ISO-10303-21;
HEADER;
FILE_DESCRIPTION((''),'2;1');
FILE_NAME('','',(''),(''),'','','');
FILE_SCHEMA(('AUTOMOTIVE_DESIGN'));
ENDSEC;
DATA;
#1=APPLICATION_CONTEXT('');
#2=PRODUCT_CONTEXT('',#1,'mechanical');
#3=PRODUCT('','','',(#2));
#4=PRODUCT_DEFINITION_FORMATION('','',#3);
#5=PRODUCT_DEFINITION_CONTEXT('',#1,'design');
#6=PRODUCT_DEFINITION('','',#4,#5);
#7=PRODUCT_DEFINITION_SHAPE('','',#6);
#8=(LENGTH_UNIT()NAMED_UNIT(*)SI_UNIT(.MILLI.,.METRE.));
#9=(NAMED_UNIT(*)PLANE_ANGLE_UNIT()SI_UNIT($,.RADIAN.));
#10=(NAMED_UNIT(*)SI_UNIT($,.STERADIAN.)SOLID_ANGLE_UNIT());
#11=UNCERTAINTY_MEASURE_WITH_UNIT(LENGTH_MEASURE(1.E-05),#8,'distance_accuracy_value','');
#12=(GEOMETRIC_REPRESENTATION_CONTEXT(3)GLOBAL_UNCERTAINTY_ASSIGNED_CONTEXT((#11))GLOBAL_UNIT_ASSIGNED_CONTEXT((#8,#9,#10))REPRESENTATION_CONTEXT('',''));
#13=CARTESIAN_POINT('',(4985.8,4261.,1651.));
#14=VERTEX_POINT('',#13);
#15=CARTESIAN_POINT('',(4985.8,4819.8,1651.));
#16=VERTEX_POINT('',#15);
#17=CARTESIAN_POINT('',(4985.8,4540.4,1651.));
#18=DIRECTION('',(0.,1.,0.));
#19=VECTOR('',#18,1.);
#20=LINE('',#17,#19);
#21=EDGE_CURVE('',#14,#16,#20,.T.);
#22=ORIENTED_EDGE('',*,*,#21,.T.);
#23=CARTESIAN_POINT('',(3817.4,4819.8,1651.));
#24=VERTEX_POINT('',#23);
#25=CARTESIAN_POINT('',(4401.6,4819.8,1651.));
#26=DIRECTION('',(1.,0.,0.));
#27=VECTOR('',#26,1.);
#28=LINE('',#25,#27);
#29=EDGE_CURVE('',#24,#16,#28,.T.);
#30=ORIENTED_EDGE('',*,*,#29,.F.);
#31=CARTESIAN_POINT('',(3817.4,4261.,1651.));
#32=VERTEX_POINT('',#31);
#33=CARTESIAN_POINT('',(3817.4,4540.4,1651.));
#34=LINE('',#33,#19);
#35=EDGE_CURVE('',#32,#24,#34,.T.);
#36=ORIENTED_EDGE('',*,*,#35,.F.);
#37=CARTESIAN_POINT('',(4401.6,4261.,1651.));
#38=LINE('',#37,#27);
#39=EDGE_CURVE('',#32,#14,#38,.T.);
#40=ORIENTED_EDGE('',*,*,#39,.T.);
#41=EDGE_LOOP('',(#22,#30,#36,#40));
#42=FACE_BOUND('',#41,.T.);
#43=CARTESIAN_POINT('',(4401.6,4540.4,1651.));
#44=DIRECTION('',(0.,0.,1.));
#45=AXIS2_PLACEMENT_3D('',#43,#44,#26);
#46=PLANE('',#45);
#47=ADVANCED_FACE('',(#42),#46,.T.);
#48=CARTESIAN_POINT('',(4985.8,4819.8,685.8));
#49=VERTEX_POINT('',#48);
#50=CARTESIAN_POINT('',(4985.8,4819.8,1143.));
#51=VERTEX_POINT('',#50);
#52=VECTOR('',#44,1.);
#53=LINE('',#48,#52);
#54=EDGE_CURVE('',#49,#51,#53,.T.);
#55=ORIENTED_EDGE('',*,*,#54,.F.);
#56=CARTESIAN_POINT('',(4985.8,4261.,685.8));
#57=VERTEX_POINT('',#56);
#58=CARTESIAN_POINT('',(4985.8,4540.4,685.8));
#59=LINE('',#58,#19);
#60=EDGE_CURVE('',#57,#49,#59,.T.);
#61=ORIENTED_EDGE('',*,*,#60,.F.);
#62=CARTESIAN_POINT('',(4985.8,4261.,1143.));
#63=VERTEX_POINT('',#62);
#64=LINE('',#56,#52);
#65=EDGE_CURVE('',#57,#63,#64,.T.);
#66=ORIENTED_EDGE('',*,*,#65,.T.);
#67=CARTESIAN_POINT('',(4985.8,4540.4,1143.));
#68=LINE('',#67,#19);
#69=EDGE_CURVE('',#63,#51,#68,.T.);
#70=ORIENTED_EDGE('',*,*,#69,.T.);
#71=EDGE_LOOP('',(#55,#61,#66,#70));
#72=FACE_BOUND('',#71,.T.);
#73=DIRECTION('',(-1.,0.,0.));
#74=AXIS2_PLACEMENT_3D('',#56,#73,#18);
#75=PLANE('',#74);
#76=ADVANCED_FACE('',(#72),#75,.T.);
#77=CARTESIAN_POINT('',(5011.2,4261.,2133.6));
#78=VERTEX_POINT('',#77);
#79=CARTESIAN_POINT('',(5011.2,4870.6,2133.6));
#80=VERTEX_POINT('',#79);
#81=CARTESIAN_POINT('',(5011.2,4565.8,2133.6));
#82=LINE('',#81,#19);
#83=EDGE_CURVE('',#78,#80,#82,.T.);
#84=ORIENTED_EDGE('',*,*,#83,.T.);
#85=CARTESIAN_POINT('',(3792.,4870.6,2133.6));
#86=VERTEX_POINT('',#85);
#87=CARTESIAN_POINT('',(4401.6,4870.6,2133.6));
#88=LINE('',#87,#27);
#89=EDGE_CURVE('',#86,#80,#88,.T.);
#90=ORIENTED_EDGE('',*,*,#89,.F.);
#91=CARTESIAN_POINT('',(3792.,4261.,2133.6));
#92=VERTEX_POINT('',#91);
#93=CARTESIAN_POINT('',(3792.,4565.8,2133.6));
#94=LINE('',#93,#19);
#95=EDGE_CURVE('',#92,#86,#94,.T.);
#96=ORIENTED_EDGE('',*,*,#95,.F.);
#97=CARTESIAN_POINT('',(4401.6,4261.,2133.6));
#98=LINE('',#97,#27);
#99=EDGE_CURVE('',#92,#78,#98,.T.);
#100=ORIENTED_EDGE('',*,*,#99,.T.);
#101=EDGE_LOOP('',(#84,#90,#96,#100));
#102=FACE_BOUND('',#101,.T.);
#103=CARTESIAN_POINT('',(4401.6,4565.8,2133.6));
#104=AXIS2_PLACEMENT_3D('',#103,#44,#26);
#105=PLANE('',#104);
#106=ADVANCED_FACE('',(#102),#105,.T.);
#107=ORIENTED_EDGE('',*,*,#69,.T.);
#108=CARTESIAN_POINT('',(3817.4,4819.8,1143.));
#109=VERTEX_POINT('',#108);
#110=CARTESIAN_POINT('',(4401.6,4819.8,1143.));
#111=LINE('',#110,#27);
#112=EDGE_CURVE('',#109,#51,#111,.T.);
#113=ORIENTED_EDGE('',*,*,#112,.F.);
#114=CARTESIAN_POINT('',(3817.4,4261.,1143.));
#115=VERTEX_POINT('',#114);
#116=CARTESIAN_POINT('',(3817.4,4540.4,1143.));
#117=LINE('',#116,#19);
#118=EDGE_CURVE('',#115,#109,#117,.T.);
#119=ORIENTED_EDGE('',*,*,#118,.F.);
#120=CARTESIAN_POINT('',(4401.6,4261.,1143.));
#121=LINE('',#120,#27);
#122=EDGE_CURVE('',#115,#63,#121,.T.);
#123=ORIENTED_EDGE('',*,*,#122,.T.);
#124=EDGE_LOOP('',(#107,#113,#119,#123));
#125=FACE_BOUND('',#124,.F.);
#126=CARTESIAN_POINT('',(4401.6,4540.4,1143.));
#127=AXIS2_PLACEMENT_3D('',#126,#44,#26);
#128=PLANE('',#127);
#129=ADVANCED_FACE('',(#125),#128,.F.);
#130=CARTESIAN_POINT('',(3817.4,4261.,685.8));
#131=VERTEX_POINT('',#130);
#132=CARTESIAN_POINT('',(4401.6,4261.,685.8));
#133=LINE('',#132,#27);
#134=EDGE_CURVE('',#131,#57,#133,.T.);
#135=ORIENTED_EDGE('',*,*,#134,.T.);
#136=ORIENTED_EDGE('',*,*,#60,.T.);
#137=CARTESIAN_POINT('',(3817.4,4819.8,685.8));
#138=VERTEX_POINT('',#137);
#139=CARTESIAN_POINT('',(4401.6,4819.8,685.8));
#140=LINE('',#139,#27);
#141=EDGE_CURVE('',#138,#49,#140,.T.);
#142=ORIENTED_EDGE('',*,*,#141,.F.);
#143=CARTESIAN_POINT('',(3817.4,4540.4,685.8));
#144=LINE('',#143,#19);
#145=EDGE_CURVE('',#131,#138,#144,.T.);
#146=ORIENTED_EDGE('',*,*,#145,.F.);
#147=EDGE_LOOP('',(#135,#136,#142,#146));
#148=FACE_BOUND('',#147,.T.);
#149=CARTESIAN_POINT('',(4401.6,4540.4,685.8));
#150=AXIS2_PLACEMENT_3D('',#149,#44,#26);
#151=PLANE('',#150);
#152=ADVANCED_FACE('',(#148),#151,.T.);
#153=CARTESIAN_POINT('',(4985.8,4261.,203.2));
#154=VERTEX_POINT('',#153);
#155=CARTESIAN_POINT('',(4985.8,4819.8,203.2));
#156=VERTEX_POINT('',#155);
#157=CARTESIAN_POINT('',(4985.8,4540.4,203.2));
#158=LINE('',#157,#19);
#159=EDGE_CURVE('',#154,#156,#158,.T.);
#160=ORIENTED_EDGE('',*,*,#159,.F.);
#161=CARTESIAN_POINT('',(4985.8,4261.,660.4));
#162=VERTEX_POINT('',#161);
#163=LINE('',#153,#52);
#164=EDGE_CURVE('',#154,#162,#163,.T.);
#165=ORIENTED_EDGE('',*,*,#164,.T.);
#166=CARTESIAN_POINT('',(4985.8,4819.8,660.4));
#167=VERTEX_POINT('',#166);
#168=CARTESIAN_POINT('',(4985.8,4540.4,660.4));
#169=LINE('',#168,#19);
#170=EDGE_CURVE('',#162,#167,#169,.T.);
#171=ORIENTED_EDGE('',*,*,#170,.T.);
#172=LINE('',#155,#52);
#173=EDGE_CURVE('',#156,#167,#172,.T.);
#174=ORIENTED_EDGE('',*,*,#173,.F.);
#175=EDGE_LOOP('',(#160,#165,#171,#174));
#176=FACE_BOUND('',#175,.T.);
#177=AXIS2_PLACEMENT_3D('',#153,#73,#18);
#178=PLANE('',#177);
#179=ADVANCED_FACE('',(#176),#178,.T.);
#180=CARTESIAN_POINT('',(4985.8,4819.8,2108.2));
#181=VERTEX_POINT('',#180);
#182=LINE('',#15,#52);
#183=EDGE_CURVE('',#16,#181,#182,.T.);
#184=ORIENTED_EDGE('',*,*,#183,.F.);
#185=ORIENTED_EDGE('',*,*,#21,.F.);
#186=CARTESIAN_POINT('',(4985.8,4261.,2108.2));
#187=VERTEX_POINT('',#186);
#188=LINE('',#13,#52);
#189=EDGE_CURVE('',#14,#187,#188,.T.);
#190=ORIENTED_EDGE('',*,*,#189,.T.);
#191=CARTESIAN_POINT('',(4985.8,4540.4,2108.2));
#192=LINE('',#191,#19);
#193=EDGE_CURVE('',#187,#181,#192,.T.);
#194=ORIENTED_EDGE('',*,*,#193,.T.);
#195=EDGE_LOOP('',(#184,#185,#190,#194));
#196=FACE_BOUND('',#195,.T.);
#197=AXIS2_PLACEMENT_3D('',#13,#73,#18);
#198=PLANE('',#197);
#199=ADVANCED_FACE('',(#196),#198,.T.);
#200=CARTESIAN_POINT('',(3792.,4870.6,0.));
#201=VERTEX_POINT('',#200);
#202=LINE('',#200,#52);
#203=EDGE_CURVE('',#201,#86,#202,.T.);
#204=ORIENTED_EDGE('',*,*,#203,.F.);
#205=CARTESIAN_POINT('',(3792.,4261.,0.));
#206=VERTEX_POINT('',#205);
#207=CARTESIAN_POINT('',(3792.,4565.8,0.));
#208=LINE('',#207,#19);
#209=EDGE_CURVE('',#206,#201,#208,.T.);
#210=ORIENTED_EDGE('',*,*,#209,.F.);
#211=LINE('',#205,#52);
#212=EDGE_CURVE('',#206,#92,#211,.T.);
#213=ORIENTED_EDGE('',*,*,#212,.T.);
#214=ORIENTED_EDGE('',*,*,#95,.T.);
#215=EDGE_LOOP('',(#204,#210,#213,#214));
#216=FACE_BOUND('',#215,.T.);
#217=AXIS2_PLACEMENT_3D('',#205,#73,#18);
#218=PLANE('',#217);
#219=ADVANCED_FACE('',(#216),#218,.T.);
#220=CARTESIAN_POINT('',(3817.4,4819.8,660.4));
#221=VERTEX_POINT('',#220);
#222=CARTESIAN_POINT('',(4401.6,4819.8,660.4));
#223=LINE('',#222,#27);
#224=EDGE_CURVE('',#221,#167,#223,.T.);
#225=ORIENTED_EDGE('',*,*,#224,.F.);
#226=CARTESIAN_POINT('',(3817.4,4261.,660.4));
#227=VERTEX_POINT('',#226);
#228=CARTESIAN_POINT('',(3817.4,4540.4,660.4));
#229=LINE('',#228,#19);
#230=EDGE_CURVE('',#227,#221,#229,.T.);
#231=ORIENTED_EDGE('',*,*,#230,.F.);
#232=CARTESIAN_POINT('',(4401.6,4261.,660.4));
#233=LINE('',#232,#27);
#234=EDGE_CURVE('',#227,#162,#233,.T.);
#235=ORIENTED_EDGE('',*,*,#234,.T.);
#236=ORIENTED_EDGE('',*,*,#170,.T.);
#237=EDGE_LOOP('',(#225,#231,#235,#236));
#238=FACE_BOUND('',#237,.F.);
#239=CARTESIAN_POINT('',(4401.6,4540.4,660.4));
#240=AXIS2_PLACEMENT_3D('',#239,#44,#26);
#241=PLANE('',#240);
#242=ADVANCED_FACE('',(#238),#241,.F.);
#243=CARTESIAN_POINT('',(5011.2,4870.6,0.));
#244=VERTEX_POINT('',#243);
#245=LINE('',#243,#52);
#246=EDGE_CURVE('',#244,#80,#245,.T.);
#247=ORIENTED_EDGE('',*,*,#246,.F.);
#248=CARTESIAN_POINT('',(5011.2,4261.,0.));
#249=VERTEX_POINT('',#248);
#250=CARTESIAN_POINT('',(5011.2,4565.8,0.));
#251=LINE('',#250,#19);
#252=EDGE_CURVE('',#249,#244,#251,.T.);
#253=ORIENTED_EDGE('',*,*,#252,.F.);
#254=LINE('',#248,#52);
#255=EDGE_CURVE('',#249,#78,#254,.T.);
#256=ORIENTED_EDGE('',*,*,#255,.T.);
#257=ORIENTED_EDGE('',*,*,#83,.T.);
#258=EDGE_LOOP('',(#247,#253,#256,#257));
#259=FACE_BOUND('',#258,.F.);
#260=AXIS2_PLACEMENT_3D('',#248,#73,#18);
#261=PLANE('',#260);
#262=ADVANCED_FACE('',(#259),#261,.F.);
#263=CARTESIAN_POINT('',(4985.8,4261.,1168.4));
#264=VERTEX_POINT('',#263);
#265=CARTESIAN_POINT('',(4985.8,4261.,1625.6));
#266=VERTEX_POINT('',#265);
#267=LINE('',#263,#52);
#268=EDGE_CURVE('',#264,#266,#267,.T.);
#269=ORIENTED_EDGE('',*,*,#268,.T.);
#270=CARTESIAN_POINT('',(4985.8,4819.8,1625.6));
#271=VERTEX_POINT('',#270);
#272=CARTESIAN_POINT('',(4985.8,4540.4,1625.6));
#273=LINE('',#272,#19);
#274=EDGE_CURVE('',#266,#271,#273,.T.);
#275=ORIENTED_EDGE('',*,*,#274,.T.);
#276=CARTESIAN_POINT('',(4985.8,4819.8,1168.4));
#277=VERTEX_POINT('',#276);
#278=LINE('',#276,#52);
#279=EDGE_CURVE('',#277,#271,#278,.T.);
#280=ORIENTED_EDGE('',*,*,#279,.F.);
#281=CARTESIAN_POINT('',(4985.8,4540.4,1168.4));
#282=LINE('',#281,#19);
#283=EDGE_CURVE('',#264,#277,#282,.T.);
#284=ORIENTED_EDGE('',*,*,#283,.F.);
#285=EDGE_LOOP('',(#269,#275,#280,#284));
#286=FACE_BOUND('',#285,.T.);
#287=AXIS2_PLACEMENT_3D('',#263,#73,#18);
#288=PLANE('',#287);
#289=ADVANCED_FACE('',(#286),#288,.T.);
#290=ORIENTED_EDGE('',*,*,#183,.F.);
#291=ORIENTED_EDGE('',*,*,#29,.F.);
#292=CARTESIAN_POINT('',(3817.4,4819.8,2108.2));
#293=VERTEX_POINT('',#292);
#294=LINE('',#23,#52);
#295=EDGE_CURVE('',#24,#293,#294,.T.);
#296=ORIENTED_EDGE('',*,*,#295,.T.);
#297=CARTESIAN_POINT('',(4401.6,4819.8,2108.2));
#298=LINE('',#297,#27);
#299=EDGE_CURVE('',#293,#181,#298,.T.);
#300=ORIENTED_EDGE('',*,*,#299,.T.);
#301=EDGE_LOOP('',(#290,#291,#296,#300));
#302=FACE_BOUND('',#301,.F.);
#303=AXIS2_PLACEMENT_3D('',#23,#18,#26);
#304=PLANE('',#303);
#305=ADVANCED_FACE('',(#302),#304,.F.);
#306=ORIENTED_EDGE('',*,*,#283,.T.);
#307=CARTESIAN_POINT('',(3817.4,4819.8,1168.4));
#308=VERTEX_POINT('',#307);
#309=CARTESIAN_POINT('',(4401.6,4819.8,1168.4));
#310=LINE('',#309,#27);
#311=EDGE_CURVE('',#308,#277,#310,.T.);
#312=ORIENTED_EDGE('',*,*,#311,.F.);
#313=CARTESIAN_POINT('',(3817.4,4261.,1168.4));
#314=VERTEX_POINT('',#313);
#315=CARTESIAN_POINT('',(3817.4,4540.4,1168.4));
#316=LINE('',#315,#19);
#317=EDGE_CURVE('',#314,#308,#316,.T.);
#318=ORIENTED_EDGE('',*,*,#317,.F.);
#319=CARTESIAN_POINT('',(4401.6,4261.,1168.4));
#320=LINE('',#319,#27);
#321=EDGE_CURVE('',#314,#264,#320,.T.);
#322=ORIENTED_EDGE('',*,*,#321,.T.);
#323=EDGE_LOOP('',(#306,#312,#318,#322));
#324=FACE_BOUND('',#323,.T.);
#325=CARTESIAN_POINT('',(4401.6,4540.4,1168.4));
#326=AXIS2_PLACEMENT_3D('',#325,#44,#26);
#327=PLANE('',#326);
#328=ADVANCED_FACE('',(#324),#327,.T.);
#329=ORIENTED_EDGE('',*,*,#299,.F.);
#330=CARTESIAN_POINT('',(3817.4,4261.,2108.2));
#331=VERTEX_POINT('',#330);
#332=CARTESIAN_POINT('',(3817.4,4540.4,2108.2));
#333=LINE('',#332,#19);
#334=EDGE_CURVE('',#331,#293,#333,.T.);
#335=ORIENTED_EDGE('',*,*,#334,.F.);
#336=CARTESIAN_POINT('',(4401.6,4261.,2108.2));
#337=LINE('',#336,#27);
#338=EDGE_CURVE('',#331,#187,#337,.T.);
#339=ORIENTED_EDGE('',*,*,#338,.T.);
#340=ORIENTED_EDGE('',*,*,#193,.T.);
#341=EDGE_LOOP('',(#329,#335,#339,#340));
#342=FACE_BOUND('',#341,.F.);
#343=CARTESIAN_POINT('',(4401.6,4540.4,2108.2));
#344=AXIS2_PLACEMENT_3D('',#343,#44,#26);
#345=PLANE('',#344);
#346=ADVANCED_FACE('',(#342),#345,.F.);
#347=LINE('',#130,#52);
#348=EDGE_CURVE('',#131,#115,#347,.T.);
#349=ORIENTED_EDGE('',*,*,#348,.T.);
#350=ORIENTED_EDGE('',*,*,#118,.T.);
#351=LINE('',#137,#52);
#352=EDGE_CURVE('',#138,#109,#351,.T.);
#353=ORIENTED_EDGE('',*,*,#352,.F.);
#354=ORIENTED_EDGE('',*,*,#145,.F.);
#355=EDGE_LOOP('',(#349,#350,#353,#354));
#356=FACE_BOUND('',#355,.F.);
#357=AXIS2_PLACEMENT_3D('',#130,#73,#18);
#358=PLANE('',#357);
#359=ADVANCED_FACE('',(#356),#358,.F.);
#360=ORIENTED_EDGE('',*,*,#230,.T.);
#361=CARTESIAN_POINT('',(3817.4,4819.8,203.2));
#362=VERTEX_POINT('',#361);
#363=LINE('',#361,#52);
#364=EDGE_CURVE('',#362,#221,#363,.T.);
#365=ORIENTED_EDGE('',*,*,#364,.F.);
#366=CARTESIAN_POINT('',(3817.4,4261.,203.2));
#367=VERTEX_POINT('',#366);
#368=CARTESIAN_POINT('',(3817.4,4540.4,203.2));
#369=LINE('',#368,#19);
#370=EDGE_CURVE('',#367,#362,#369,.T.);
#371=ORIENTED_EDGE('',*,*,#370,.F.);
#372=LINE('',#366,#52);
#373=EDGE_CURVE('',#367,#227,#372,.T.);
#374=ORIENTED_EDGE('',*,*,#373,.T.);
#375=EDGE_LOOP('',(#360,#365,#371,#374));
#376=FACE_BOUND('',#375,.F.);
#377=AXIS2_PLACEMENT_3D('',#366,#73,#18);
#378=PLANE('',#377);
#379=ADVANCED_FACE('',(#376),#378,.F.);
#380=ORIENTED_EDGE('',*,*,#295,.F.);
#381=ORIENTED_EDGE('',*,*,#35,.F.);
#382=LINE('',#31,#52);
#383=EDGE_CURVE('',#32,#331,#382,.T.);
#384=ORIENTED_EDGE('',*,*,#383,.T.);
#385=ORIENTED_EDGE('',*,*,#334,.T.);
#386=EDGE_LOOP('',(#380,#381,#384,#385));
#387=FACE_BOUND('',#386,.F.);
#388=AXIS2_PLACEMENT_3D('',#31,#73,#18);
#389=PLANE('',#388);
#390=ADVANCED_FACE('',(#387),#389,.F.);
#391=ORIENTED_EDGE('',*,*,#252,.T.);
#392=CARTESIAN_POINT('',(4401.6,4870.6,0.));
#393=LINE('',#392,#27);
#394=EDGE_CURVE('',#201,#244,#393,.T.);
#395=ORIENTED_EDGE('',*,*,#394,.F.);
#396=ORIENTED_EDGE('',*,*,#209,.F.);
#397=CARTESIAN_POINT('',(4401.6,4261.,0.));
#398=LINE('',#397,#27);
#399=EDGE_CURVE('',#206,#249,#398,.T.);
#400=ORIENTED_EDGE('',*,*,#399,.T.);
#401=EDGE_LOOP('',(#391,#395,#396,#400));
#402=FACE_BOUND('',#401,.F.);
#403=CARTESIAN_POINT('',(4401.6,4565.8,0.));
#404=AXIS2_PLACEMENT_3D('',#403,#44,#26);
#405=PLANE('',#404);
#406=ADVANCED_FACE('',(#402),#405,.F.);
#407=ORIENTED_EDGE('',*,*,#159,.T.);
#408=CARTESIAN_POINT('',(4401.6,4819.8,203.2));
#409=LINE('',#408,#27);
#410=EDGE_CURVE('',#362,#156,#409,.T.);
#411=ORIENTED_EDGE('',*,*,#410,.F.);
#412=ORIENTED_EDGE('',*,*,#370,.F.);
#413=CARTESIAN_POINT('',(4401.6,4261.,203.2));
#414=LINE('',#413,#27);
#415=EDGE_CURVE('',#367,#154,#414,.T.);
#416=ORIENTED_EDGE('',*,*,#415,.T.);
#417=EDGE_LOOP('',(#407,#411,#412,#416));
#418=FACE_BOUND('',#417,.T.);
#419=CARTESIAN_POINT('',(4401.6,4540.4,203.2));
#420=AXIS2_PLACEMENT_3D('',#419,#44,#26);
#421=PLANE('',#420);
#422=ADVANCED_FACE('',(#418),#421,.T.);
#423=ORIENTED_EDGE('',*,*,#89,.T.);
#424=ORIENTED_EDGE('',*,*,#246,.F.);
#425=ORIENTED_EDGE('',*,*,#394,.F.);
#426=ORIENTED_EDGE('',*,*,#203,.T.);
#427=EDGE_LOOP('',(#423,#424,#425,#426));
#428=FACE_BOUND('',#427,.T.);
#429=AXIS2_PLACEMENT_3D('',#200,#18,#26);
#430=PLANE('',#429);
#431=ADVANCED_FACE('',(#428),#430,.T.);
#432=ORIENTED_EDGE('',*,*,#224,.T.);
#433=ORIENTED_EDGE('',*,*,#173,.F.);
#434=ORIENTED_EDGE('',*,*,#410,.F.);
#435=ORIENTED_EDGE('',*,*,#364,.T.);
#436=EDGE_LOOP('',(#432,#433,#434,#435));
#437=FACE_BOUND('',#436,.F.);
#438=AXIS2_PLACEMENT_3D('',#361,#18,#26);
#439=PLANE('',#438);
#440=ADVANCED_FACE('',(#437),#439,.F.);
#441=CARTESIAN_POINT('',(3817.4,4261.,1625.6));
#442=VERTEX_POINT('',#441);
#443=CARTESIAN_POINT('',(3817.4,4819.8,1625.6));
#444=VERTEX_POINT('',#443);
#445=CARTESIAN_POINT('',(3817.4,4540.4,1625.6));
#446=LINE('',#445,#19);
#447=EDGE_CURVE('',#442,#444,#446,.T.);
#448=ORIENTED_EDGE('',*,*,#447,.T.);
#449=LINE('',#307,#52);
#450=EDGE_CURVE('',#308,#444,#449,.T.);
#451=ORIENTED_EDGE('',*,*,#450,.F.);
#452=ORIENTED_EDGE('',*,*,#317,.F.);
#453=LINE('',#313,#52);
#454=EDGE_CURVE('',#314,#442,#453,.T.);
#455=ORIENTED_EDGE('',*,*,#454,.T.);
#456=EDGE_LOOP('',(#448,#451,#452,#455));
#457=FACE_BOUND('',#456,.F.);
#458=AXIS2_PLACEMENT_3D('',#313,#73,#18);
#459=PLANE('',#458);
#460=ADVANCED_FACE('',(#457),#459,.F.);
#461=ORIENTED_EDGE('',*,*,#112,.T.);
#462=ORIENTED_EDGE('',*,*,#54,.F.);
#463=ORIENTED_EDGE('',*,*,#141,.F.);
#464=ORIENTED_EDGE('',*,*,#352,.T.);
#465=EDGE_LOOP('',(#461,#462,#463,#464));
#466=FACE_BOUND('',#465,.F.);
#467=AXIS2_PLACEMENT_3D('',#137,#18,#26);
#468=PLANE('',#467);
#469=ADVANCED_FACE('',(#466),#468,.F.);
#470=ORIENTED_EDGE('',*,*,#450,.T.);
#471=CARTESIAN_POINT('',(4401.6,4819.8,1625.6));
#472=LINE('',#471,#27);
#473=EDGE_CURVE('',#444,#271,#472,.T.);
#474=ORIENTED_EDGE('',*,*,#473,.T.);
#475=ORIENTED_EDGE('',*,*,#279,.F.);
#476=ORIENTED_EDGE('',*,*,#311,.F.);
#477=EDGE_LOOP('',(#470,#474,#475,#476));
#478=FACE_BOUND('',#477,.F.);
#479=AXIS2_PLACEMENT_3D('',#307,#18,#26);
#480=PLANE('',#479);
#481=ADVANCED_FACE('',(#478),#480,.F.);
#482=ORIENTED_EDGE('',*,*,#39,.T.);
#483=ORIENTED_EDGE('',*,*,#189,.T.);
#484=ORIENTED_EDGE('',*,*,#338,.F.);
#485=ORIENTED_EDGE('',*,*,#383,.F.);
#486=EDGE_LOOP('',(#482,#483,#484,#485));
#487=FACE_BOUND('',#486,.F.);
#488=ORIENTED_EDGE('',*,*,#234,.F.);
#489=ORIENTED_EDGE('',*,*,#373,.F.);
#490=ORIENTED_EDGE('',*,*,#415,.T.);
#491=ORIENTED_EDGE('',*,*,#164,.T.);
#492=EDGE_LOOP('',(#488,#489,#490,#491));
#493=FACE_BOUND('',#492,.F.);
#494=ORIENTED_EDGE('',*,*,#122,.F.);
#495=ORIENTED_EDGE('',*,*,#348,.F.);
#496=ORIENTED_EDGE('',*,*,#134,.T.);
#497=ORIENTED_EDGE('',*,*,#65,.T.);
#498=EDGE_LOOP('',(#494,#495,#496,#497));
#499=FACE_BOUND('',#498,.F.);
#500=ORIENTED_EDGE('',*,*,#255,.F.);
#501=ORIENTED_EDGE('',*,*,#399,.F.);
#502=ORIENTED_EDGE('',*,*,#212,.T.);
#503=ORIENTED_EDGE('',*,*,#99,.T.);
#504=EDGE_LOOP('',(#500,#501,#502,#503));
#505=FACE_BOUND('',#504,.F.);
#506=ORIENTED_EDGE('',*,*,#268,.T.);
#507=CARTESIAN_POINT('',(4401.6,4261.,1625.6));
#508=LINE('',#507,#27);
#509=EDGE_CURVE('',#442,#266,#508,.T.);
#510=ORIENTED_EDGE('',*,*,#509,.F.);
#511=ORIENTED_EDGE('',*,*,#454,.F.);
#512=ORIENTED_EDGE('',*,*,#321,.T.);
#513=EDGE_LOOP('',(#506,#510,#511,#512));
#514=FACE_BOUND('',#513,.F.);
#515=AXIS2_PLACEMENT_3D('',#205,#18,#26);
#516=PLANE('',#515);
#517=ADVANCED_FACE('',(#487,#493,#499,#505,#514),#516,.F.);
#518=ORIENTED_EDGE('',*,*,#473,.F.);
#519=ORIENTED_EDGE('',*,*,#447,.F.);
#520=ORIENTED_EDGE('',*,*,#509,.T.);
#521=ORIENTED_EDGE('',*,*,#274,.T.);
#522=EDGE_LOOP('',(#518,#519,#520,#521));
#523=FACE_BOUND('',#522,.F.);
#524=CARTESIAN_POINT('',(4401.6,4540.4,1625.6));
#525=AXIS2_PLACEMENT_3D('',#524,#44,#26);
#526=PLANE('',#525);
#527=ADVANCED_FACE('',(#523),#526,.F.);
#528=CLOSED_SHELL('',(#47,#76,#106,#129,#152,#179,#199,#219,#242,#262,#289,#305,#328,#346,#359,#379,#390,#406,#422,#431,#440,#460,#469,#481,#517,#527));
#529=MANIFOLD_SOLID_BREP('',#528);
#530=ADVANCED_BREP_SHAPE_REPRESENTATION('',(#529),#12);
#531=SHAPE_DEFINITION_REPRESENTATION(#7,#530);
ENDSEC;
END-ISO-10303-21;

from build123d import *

# Parameters (mm, degrees)
BOX022_W     = 1168.4
BOX022_H     = 558.8
BOX022_DEPTH = 457.2
BOX021_W     = 1168.4
BOX021_H     = 558.8
BOX021_DEPTH = 457.2
BOX020_W     = 1168.4
BOX020_H     = 558.8
BOX020_DEPTH = 457.2
BOX019_W     = 1168.4
BOX019_H     = 558.8
BOX019_DEPTH = 457.2
BOX018_W     = 1219.2
BOX018_H     = 609.6
BOX018_DEPTH = 2133.6


with BuildPart() as cube022:
    # Box022 → Box022 (new body)
    with BuildSketch(Plane(origin=(25.4, 0, 1651), x_dir=(1, 0, 0), z_dir=(0, 0, 1))):
        with Locations((584.2, 279.4)):
            Rectangle(BOX022_W, BOX022_H)
    extrude(amount=BOX022_DEPTH)


with BuildPart() as cube021:
    # Box021 → Box021 (new body)
    with BuildSketch(Plane(origin=(25.4, 0, 685.8), x_dir=(1, 0, 0), z_dir=(0, 0, 1))):
        with Locations((584.2, 279.4)):
            Rectangle(BOX021_W, BOX021_H)
    extrude(amount=BOX021_DEPTH)


with BuildPart() as cube020:
    # Box020 → Box020 (new body)
    with BuildSketch(Plane(origin=(25.4, 0, 203.2), x_dir=(1, 0, 0), z_dir=(0, 0, 1))):
        with Locations((584.2, 279.4)):
            Rectangle(BOX020_W, BOX020_H)
    extrude(amount=BOX020_DEPTH)


with BuildPart() as cube019:
    # Box019 → Box019 (new body)
    with BuildSketch(Plane(origin=(25.4, 0, 1168.4), x_dir=(1, 0, 0), z_dir=(0, 0, 1))):
        with Locations((584.2, 279.4)):
            Rectangle(BOX019_W, BOX019_H)
    extrude(amount=BOX019_DEPTH)


with BuildPart() as cut009:
    # Box018 → Box018 (new body)
    with BuildSketch(Plane.XY):
        with Locations((609.6, 304.8)):
            Rectangle(BOX018_W, BOX018_H)
    extrude(amount=BOX018_DEPTH)

    # Cut006: cut Cube019
    add(cube019.part, mode=Mode.SUBTRACT)

    # Cut007: cut Cube020
    add(cube020.part, mode=Mode.SUBTRACT)

    # Cut008: cut Cube021
    add(cube021.part, mode=Mode.SUBTRACT)

    # Cut009: cut Cube022
    add(cube022.part, mode=Mode.SUBTRACT)


with BuildPart() as cut009_1:
    # Cut009 placement: moved
    add(cut009.part.moved(Location((3792, 4261, 0))))


solid = cut009_1.part
